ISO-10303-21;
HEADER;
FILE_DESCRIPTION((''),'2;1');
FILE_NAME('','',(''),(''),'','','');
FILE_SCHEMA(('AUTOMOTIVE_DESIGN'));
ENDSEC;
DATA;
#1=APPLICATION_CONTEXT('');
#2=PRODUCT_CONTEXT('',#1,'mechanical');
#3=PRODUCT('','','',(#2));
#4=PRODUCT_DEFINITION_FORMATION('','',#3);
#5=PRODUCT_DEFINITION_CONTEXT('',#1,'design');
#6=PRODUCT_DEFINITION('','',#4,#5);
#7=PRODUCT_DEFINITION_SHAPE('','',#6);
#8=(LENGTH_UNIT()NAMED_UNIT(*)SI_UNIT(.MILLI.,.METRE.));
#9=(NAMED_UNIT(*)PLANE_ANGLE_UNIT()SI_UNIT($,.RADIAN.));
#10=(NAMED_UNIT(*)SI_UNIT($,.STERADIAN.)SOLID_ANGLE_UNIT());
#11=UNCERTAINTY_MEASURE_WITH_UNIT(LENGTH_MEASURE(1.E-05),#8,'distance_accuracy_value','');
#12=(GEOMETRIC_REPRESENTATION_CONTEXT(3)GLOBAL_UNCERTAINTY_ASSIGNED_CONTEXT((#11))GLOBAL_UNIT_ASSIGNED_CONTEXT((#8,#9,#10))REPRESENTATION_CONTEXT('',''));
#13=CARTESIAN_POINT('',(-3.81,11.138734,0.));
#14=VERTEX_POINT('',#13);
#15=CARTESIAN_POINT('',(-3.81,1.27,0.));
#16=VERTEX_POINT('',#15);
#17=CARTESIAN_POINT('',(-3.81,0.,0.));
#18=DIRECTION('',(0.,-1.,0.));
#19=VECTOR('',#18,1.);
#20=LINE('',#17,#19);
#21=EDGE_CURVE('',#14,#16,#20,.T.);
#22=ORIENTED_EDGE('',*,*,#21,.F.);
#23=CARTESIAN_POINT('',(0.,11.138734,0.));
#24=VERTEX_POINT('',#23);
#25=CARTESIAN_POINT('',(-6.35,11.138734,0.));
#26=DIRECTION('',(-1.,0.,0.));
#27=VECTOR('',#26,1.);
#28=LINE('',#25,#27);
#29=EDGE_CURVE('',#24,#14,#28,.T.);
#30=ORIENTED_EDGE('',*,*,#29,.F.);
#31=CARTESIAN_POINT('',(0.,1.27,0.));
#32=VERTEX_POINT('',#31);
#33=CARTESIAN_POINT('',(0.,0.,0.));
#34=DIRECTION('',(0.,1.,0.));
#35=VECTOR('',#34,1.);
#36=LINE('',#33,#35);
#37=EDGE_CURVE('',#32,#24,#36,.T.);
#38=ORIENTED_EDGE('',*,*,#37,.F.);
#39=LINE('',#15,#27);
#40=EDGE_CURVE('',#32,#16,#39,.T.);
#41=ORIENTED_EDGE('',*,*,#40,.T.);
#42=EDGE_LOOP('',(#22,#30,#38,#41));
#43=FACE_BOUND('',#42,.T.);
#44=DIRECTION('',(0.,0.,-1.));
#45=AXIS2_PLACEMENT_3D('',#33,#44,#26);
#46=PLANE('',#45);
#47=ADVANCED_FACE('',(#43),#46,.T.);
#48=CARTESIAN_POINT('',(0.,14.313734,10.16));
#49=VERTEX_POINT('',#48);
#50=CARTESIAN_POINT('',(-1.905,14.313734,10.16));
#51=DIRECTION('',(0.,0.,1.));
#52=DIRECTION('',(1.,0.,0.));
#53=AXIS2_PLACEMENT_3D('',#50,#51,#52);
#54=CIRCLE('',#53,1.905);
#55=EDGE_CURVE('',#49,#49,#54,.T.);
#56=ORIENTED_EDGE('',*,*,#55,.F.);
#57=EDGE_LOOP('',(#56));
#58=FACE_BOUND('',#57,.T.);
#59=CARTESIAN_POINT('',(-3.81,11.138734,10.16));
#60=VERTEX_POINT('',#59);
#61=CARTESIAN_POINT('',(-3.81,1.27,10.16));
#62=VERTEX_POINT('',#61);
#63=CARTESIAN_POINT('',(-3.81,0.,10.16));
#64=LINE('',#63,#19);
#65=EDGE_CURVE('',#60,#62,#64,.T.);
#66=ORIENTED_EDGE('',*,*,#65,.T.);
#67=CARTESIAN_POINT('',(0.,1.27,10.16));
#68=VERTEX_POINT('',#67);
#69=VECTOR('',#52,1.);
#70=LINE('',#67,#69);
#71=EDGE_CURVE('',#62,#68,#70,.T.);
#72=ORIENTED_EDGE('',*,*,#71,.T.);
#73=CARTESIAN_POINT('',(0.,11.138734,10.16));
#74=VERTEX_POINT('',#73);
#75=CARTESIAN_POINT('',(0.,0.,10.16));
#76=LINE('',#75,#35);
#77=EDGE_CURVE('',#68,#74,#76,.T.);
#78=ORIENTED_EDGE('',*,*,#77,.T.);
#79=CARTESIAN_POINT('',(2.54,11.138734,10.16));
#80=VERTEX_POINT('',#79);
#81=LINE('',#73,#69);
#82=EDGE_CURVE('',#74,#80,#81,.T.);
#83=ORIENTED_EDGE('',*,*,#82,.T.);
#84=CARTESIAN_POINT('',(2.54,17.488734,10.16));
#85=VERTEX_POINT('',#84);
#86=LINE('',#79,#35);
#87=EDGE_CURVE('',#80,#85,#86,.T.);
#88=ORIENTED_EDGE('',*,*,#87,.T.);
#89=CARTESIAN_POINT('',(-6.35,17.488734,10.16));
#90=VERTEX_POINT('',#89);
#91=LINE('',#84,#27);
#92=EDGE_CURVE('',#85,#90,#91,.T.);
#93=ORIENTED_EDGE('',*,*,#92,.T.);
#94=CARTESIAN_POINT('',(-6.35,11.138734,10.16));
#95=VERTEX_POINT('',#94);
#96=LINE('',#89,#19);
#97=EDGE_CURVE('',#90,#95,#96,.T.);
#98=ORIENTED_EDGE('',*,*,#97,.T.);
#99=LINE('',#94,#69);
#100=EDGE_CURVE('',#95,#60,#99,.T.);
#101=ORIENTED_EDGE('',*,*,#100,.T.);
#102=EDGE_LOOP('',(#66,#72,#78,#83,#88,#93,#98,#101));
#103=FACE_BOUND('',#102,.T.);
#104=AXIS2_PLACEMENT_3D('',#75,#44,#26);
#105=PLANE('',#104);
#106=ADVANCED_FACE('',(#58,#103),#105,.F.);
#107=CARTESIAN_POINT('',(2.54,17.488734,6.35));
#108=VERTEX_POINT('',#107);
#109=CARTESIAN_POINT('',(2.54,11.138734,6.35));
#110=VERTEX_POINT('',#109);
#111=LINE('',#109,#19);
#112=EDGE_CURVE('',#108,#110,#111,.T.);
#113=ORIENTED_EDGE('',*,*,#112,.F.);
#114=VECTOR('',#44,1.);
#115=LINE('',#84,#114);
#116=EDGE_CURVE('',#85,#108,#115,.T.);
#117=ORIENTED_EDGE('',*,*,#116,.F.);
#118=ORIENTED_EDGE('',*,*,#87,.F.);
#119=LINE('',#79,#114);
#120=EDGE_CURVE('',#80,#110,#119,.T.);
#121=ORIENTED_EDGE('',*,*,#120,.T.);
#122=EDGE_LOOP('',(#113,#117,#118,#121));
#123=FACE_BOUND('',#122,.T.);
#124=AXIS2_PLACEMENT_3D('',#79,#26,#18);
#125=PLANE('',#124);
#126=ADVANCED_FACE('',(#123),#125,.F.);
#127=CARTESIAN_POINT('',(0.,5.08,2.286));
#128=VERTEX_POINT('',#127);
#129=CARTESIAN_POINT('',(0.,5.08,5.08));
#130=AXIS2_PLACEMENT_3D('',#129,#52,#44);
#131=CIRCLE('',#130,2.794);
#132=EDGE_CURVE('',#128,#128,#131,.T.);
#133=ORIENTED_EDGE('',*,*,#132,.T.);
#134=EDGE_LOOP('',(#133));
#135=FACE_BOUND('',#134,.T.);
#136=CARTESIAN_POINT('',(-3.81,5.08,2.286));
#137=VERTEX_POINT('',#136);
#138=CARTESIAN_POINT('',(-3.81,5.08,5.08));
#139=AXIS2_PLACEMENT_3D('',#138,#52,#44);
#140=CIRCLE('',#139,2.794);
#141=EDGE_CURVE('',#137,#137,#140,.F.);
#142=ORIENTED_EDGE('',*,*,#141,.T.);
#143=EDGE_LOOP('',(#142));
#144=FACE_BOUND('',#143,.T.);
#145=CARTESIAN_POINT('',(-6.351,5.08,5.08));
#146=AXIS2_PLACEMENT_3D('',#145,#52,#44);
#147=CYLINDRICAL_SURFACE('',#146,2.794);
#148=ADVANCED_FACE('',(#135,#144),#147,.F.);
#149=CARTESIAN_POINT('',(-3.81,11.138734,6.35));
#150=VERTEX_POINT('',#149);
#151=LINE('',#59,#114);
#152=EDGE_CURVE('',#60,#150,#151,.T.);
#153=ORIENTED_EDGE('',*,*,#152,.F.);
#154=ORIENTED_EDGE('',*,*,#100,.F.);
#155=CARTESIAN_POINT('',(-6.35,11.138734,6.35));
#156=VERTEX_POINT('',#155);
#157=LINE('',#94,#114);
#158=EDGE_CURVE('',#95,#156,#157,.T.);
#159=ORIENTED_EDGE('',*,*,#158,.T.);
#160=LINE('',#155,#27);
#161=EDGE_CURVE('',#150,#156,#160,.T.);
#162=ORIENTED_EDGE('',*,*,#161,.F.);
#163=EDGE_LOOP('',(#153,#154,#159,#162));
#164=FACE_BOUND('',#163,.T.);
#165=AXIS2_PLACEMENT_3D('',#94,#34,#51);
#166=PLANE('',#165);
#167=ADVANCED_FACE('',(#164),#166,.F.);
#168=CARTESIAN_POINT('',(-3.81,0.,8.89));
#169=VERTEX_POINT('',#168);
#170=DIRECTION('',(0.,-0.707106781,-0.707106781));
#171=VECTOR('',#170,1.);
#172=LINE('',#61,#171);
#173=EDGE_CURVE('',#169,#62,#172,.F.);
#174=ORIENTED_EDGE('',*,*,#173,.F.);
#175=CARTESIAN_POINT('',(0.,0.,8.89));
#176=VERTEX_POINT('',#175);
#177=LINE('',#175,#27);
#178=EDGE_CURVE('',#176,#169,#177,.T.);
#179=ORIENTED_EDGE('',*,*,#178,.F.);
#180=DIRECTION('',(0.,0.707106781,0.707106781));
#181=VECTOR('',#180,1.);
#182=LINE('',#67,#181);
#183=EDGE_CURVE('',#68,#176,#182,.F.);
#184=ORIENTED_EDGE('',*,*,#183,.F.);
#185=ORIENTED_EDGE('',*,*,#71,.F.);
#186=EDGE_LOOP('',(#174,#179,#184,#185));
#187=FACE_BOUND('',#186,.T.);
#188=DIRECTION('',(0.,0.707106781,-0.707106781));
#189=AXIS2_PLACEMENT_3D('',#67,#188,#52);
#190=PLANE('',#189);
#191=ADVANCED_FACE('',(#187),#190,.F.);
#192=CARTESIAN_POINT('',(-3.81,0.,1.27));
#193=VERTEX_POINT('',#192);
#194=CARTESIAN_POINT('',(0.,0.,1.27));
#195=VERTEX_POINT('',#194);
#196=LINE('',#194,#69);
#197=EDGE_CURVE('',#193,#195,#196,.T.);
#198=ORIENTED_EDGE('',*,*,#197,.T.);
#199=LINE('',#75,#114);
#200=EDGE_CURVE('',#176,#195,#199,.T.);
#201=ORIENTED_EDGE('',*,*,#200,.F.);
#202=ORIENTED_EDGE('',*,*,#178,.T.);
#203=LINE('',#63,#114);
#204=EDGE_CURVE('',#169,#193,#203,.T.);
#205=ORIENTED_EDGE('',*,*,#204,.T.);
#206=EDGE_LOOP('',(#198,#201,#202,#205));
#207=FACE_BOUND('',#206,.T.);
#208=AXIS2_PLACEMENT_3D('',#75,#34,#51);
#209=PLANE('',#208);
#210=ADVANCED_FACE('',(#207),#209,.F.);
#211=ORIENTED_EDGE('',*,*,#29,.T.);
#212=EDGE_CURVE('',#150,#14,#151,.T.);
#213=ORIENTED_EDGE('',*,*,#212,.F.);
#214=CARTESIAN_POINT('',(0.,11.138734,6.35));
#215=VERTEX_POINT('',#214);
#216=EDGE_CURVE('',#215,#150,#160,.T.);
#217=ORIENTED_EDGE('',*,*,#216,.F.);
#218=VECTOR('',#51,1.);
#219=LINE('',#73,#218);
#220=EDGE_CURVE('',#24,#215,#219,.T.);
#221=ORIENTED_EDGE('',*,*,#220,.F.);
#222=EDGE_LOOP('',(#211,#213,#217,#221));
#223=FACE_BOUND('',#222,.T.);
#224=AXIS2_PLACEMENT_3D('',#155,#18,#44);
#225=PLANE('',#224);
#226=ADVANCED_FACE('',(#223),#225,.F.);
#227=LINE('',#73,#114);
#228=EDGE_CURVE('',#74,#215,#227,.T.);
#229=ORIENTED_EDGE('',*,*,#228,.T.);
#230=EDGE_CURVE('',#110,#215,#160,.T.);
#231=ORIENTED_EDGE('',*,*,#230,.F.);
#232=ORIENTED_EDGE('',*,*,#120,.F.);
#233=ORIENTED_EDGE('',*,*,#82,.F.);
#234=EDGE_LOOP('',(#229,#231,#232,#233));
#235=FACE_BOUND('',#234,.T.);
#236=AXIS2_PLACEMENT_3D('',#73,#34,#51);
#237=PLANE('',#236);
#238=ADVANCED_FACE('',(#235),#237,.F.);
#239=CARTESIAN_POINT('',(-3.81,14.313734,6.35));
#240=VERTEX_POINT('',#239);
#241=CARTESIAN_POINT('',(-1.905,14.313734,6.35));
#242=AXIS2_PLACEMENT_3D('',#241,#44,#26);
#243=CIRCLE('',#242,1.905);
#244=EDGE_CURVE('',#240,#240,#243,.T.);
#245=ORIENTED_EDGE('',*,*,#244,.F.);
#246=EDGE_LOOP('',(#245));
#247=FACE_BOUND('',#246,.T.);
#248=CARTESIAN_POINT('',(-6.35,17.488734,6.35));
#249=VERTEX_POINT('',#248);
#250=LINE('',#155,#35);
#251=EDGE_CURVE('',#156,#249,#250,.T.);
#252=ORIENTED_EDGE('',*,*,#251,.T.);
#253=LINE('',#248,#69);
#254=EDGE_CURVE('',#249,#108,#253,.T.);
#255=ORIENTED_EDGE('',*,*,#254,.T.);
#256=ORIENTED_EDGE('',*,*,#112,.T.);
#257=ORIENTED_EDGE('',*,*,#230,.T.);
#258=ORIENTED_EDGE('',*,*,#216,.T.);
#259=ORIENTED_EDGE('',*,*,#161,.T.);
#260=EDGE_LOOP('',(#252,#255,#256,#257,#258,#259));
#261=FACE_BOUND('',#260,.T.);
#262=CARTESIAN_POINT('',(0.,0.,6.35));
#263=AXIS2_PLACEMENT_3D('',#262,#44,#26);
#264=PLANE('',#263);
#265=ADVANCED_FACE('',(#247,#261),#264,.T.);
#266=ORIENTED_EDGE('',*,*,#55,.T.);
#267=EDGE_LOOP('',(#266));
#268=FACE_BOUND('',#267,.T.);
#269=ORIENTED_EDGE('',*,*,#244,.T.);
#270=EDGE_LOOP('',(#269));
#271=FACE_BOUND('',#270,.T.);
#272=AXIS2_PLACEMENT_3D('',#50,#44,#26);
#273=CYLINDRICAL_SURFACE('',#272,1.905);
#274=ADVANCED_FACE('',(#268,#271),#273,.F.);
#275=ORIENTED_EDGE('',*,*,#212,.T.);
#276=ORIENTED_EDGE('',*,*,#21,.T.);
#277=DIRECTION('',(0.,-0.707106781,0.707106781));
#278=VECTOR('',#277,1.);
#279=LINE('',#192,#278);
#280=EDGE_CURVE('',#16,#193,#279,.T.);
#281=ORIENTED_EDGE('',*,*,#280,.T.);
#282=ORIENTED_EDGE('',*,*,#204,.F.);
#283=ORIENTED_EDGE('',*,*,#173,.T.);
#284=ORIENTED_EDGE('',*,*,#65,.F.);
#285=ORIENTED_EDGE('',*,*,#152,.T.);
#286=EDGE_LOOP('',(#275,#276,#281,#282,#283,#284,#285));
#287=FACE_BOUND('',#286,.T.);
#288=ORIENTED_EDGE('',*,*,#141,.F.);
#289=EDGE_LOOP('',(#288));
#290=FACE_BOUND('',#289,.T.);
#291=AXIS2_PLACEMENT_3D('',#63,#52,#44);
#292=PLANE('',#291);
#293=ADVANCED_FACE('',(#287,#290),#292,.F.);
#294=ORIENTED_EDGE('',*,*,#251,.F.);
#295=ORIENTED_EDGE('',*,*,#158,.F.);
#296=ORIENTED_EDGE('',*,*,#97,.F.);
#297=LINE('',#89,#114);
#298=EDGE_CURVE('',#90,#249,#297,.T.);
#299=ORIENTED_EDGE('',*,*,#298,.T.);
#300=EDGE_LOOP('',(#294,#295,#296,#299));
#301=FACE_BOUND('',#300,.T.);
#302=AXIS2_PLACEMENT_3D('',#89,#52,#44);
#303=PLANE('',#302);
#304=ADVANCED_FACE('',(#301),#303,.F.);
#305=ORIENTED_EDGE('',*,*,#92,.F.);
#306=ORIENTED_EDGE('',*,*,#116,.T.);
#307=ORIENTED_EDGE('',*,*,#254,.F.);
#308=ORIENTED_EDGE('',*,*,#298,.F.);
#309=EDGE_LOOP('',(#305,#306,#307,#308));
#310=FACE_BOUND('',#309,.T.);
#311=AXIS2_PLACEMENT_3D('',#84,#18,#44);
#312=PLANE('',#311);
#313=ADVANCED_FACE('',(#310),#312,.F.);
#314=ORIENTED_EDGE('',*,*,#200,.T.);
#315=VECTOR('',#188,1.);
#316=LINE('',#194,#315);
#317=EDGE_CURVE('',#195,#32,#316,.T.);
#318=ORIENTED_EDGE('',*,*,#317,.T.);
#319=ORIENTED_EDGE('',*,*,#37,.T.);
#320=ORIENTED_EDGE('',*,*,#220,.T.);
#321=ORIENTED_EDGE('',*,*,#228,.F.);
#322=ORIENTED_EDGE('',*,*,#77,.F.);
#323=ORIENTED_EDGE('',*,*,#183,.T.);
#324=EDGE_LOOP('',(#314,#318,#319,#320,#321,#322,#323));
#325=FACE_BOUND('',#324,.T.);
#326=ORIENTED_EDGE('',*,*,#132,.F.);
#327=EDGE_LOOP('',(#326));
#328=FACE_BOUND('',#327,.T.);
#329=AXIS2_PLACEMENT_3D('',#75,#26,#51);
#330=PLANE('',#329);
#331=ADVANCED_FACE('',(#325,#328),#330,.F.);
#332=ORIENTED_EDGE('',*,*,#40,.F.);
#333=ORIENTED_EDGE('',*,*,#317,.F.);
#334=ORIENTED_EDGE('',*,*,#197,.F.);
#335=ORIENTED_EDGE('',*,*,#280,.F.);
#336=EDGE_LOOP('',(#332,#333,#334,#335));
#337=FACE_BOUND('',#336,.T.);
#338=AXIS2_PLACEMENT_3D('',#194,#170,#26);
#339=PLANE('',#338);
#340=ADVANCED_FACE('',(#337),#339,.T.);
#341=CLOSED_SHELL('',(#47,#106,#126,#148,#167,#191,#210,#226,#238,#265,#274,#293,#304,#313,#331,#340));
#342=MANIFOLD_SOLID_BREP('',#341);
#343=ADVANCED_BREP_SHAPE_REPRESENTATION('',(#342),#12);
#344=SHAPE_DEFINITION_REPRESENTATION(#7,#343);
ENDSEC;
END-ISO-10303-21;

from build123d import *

# Parameters (mm, degrees)
SKETCH7_R          = 1.905
BASE_DEPTH         = 10.16
LEVER_HOLE_REACH   = 23.199
SKETCH8_R          = 2.794
CHAMFER2_SIZE      = 1.27
SKETCH9_W          = 8.89
SKETCH9_H          = 6.35
CUT_EXTRUDE4_DEPTH = 6.35


with BuildPart() as part:
    # Sketch7 → base (new body)
    with BuildSketch(Plane(origin=(0, 0, 0), x_dir=(0, 1, 0), z_dir=(0, 0, 1))):
        Polygon((11.138733525, 0), (11.138733525, -2.54), (17.488733525, -2.54), (17.488733525, 6.35), (11.138733525, 6.35), (11.138733525, 3.81), (0, 3.81), (0, 0), align=None)
        with Locations(Location((14.313733525, 1.905, 0), (0, 0, 270))):
            Circle(SKETCH7_R, mode=Mode.SUBTRACT)
    extrude(amount=BASE_DEPTH)

    # Sketch8 → lever_hole (cut, up to next)
    with BuildSketch(Plane.YZ, mode=Mode.PRIVATE) as lever_hole_sk1:
        with Locations(Location((5.08, 5.08, 0), (0, 0, 270))):
            Circle(SKETCH8_R)
    lever_hole_tool1 = extrude(lever_hole_sk1.sketch, amount=-LEVER_HOLE_REACH, mode=Mode.PRIVATE) & part.part
    add(lever_hole_tool1.solids().sort_by_distance((0, 5.08, 5.08))[0], mode=Mode.SUBTRACT)

    # Chamfer2
    chamfer2_edges = [part.edges().sort_by_distance(p)[0] for p in [
        (-1.905, 0, 0),
        (-1.905, 0, 10.16),
    ]]
    chamfer(chamfer2_edges, length=CHAMFER2_SIZE)

    # Sketch9 → Cut-Extrude4 (cut)
    with BuildSketch(Plane(origin=(0, 0, 0), x_dir=(1, 0, 0), z_dir=(0, 0, -1))):
        with Locations((-1.905, -14.313733525)):
            Rectangle(SKETCH9_W, SKETCH9_H)
    extrude(amount=-CUT_EXTRUDE4_DEPTH, mode=Mode.SUBTRACT)


solid = part.part
